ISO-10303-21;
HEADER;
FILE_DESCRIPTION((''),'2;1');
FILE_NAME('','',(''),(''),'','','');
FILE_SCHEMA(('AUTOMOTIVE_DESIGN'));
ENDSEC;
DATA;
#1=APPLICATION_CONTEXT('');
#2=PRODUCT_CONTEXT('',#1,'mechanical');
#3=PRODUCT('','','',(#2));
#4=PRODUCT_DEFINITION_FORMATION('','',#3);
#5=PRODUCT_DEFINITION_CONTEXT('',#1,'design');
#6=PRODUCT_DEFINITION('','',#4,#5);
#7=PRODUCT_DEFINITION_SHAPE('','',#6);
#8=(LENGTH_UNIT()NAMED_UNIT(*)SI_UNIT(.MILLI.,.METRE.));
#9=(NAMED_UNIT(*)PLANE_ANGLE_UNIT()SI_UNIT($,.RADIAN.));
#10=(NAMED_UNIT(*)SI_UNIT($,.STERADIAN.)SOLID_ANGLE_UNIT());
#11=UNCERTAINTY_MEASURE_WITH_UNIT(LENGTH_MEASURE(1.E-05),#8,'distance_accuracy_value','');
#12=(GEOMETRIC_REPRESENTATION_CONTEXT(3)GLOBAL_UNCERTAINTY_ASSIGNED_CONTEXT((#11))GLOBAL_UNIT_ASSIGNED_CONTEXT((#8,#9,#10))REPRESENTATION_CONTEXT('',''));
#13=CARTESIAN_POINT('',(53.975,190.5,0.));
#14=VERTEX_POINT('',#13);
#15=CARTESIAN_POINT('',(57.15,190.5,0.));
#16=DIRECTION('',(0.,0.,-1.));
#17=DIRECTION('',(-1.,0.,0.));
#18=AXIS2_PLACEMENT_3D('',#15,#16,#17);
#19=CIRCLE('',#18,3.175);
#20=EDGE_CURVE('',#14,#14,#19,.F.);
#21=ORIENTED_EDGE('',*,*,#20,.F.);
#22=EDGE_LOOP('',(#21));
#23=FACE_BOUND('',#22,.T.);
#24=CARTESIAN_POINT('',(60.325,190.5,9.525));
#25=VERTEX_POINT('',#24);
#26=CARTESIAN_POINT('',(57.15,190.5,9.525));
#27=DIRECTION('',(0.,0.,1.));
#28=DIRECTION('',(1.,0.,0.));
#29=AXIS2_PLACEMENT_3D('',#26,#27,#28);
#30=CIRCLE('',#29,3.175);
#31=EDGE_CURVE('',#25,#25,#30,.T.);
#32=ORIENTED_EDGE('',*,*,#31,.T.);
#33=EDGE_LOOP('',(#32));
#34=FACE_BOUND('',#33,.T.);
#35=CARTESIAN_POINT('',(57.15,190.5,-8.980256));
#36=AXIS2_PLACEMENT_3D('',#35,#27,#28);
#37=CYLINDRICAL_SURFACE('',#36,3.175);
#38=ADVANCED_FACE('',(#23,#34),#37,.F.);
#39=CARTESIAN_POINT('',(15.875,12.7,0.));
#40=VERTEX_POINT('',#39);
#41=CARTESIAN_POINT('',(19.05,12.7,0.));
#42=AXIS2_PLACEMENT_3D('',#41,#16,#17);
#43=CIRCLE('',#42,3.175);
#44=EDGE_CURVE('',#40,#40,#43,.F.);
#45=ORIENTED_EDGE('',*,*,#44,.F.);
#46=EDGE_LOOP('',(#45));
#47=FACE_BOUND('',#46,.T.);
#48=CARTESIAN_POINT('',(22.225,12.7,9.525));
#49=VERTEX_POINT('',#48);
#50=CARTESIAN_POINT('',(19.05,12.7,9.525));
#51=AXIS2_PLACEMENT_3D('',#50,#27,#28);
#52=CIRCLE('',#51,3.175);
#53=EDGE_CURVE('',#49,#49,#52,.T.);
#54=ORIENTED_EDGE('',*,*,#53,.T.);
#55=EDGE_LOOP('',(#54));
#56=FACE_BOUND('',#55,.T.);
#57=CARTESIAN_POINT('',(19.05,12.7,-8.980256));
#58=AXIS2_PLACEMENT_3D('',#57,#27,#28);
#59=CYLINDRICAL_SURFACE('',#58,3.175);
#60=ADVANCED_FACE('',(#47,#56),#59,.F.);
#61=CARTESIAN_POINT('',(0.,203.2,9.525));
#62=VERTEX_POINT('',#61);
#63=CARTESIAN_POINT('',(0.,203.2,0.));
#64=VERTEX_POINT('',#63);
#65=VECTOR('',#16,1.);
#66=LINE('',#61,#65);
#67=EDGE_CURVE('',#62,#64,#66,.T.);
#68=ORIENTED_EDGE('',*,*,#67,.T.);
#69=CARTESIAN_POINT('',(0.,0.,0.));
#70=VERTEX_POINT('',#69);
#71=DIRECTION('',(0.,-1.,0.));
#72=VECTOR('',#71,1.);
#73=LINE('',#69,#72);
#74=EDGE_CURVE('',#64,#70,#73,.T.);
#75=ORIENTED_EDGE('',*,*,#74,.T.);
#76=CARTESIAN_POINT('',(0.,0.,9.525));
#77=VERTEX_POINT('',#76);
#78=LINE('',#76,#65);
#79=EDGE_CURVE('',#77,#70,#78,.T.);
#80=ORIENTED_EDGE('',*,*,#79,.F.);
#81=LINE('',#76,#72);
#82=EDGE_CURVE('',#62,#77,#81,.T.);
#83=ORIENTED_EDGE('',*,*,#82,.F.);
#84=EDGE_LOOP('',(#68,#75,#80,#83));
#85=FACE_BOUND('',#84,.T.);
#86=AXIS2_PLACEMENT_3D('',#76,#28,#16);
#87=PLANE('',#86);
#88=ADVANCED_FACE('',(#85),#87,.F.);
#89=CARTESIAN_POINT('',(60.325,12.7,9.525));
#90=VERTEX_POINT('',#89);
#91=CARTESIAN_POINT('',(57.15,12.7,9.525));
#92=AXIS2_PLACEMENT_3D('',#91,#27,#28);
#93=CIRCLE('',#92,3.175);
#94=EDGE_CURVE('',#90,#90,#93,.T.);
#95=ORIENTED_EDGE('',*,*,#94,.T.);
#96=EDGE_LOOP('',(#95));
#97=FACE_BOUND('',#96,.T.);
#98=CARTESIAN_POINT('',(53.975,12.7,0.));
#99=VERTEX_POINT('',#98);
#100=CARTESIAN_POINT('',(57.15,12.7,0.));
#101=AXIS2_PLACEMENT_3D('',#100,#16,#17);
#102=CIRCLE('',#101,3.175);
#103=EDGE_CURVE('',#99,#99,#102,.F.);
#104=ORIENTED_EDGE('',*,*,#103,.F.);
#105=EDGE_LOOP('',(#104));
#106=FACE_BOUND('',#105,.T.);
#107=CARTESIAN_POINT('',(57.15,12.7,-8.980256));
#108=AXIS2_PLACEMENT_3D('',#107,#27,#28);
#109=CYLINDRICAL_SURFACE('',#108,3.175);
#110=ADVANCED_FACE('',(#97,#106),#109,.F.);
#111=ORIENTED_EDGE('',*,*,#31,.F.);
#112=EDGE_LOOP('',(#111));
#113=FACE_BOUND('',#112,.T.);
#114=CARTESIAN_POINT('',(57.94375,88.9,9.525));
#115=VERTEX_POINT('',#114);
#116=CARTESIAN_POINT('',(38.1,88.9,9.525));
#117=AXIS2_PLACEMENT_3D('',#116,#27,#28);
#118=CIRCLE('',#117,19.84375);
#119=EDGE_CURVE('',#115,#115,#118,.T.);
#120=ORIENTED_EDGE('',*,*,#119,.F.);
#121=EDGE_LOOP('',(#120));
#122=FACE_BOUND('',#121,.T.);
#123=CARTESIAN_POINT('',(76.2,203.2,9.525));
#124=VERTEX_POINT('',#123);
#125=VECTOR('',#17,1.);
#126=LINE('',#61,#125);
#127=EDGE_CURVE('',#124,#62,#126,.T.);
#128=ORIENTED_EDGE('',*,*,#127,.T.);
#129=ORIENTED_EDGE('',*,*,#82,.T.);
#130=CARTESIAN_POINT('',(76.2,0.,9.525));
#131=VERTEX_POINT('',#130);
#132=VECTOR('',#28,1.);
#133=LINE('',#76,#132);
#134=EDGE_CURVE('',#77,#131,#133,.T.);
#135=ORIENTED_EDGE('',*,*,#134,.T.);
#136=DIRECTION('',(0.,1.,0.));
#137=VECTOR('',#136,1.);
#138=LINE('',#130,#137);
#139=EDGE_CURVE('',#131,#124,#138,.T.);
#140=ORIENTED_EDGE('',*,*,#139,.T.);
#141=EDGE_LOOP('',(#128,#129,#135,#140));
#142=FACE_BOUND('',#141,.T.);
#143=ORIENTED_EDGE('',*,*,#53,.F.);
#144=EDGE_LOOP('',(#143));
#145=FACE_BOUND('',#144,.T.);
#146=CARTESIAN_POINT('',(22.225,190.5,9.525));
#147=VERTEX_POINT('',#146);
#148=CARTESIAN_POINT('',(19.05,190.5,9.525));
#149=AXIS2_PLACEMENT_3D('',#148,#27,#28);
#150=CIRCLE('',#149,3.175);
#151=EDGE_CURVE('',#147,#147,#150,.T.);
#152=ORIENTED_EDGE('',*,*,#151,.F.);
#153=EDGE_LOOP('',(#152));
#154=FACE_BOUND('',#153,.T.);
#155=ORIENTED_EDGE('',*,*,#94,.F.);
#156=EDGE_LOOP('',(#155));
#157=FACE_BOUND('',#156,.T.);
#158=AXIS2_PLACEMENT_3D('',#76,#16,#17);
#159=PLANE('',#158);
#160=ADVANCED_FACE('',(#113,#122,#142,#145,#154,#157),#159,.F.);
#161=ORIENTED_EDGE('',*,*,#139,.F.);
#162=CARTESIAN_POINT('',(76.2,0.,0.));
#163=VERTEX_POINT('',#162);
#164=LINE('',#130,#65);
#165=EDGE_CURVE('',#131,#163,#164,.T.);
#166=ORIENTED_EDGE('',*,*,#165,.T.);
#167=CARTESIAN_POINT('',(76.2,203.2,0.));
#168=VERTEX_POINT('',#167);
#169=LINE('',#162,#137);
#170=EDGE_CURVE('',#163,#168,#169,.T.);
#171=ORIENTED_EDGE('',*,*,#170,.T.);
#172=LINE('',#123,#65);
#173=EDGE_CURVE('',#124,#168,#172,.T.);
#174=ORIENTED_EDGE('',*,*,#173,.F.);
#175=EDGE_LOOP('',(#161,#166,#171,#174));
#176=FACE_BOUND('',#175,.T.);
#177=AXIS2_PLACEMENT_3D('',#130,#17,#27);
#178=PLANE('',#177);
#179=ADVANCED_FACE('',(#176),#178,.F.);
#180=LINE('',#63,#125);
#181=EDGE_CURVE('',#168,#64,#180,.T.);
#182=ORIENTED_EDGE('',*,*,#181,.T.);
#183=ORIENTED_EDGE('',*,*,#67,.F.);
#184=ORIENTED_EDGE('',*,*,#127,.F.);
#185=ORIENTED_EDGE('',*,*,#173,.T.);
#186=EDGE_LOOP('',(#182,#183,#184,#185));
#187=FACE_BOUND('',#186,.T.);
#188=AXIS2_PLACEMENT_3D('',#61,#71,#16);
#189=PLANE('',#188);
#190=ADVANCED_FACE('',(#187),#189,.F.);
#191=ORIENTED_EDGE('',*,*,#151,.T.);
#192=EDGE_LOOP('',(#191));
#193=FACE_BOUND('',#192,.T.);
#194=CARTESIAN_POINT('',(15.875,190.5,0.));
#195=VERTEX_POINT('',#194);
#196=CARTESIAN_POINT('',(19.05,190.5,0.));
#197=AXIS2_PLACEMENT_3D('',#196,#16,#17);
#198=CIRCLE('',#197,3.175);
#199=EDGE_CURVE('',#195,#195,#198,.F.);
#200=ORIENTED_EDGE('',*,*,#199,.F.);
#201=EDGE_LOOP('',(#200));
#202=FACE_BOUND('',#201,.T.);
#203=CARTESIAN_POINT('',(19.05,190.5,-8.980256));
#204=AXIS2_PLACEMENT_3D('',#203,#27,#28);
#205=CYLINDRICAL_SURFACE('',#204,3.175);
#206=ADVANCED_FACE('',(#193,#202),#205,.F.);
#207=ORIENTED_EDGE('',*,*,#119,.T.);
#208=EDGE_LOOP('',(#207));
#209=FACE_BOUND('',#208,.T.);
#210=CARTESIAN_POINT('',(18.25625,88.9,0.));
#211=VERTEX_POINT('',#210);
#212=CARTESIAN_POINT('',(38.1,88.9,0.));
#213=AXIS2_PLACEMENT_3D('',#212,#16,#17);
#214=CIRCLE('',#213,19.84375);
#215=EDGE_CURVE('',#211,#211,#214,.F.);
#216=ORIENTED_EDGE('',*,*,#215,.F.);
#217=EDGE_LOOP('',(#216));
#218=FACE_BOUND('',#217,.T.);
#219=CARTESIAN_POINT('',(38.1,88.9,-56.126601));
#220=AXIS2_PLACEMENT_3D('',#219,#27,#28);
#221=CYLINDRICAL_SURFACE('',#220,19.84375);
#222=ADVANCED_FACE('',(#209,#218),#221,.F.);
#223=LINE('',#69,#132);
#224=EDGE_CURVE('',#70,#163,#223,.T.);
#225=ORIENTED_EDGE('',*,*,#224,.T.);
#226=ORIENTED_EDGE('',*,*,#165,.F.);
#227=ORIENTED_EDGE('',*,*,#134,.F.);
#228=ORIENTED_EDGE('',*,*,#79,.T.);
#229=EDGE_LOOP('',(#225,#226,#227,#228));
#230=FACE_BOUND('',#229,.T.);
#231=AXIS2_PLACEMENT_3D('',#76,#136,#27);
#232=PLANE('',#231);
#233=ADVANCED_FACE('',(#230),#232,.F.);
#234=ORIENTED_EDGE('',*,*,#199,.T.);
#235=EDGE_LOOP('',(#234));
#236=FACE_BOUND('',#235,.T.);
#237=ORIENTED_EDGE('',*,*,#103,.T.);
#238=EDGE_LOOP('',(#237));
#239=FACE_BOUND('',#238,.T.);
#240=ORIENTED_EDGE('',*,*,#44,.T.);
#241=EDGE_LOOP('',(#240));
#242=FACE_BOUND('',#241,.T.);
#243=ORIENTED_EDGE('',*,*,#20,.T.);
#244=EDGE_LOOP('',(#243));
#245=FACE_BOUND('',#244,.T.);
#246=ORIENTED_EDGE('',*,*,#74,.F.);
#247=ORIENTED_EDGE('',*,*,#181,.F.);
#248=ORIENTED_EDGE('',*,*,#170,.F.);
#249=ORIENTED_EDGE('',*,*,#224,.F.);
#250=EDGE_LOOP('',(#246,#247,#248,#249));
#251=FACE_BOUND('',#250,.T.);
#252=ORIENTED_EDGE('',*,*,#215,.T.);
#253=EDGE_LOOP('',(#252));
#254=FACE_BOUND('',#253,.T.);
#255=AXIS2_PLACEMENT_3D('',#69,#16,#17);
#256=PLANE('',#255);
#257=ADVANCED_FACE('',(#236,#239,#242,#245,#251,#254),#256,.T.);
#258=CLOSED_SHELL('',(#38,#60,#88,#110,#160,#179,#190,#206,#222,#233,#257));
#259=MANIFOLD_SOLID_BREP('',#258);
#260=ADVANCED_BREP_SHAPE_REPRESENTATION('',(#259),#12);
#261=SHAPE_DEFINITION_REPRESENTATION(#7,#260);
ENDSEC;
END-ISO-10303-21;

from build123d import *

# Parameters (mm, degrees)
SKETCH1_W           = 76.2
SKETCH1_H           = 203.2
BOSS_EXTRUDE1_DEPTH = 9.525
SKETCH2_R           = 19.84375
CUT_EXTRUDE1_DEPTH  = 9.525
SKETCH3_R           = 3.175
CUT_EXTRUDE2_DEPTH  = 9.525


with BuildPart() as part:
    # Sketch1 → Boss-Extrude1 (new body)
    with BuildSketch(Plane.XY):
        with Locations((38.1, 101.6)):
            Rectangle(SKETCH1_W, SKETCH1_H)
    extrude(amount=BOSS_EXTRUDE1_DEPTH)

    # Sketch2 → Cut-Extrude1 (cut)
    with BuildSketch(Plane.XY.offset(9.525)):
        with Locations((38.1, 88.9)):
            Circle(SKETCH2_R)
    extrude(amount=-CUT_EXTRUDE1_DEPTH, mode=Mode.SUBTRACT)

    # Sketch3 → Cut-Extrude2 (cut)
    with BuildSketch(Plane.XY.offset(9.525)):
        with Locations((19.05, 190.5)):
            Circle(SKETCH3_R)
        with Locations((57.15, 190.5)):
            Circle(SKETCH3_R)
        with Locations((19.05, 12.7)):
            Circle(SKETCH3_R)
        with Locations((57.15, 12.7)):
            Circle(SKETCH3_R)
    extrude(amount=-CUT_EXTRUDE2_DEPTH, mode=Mode.SUBTRACT)


solid = part.part
